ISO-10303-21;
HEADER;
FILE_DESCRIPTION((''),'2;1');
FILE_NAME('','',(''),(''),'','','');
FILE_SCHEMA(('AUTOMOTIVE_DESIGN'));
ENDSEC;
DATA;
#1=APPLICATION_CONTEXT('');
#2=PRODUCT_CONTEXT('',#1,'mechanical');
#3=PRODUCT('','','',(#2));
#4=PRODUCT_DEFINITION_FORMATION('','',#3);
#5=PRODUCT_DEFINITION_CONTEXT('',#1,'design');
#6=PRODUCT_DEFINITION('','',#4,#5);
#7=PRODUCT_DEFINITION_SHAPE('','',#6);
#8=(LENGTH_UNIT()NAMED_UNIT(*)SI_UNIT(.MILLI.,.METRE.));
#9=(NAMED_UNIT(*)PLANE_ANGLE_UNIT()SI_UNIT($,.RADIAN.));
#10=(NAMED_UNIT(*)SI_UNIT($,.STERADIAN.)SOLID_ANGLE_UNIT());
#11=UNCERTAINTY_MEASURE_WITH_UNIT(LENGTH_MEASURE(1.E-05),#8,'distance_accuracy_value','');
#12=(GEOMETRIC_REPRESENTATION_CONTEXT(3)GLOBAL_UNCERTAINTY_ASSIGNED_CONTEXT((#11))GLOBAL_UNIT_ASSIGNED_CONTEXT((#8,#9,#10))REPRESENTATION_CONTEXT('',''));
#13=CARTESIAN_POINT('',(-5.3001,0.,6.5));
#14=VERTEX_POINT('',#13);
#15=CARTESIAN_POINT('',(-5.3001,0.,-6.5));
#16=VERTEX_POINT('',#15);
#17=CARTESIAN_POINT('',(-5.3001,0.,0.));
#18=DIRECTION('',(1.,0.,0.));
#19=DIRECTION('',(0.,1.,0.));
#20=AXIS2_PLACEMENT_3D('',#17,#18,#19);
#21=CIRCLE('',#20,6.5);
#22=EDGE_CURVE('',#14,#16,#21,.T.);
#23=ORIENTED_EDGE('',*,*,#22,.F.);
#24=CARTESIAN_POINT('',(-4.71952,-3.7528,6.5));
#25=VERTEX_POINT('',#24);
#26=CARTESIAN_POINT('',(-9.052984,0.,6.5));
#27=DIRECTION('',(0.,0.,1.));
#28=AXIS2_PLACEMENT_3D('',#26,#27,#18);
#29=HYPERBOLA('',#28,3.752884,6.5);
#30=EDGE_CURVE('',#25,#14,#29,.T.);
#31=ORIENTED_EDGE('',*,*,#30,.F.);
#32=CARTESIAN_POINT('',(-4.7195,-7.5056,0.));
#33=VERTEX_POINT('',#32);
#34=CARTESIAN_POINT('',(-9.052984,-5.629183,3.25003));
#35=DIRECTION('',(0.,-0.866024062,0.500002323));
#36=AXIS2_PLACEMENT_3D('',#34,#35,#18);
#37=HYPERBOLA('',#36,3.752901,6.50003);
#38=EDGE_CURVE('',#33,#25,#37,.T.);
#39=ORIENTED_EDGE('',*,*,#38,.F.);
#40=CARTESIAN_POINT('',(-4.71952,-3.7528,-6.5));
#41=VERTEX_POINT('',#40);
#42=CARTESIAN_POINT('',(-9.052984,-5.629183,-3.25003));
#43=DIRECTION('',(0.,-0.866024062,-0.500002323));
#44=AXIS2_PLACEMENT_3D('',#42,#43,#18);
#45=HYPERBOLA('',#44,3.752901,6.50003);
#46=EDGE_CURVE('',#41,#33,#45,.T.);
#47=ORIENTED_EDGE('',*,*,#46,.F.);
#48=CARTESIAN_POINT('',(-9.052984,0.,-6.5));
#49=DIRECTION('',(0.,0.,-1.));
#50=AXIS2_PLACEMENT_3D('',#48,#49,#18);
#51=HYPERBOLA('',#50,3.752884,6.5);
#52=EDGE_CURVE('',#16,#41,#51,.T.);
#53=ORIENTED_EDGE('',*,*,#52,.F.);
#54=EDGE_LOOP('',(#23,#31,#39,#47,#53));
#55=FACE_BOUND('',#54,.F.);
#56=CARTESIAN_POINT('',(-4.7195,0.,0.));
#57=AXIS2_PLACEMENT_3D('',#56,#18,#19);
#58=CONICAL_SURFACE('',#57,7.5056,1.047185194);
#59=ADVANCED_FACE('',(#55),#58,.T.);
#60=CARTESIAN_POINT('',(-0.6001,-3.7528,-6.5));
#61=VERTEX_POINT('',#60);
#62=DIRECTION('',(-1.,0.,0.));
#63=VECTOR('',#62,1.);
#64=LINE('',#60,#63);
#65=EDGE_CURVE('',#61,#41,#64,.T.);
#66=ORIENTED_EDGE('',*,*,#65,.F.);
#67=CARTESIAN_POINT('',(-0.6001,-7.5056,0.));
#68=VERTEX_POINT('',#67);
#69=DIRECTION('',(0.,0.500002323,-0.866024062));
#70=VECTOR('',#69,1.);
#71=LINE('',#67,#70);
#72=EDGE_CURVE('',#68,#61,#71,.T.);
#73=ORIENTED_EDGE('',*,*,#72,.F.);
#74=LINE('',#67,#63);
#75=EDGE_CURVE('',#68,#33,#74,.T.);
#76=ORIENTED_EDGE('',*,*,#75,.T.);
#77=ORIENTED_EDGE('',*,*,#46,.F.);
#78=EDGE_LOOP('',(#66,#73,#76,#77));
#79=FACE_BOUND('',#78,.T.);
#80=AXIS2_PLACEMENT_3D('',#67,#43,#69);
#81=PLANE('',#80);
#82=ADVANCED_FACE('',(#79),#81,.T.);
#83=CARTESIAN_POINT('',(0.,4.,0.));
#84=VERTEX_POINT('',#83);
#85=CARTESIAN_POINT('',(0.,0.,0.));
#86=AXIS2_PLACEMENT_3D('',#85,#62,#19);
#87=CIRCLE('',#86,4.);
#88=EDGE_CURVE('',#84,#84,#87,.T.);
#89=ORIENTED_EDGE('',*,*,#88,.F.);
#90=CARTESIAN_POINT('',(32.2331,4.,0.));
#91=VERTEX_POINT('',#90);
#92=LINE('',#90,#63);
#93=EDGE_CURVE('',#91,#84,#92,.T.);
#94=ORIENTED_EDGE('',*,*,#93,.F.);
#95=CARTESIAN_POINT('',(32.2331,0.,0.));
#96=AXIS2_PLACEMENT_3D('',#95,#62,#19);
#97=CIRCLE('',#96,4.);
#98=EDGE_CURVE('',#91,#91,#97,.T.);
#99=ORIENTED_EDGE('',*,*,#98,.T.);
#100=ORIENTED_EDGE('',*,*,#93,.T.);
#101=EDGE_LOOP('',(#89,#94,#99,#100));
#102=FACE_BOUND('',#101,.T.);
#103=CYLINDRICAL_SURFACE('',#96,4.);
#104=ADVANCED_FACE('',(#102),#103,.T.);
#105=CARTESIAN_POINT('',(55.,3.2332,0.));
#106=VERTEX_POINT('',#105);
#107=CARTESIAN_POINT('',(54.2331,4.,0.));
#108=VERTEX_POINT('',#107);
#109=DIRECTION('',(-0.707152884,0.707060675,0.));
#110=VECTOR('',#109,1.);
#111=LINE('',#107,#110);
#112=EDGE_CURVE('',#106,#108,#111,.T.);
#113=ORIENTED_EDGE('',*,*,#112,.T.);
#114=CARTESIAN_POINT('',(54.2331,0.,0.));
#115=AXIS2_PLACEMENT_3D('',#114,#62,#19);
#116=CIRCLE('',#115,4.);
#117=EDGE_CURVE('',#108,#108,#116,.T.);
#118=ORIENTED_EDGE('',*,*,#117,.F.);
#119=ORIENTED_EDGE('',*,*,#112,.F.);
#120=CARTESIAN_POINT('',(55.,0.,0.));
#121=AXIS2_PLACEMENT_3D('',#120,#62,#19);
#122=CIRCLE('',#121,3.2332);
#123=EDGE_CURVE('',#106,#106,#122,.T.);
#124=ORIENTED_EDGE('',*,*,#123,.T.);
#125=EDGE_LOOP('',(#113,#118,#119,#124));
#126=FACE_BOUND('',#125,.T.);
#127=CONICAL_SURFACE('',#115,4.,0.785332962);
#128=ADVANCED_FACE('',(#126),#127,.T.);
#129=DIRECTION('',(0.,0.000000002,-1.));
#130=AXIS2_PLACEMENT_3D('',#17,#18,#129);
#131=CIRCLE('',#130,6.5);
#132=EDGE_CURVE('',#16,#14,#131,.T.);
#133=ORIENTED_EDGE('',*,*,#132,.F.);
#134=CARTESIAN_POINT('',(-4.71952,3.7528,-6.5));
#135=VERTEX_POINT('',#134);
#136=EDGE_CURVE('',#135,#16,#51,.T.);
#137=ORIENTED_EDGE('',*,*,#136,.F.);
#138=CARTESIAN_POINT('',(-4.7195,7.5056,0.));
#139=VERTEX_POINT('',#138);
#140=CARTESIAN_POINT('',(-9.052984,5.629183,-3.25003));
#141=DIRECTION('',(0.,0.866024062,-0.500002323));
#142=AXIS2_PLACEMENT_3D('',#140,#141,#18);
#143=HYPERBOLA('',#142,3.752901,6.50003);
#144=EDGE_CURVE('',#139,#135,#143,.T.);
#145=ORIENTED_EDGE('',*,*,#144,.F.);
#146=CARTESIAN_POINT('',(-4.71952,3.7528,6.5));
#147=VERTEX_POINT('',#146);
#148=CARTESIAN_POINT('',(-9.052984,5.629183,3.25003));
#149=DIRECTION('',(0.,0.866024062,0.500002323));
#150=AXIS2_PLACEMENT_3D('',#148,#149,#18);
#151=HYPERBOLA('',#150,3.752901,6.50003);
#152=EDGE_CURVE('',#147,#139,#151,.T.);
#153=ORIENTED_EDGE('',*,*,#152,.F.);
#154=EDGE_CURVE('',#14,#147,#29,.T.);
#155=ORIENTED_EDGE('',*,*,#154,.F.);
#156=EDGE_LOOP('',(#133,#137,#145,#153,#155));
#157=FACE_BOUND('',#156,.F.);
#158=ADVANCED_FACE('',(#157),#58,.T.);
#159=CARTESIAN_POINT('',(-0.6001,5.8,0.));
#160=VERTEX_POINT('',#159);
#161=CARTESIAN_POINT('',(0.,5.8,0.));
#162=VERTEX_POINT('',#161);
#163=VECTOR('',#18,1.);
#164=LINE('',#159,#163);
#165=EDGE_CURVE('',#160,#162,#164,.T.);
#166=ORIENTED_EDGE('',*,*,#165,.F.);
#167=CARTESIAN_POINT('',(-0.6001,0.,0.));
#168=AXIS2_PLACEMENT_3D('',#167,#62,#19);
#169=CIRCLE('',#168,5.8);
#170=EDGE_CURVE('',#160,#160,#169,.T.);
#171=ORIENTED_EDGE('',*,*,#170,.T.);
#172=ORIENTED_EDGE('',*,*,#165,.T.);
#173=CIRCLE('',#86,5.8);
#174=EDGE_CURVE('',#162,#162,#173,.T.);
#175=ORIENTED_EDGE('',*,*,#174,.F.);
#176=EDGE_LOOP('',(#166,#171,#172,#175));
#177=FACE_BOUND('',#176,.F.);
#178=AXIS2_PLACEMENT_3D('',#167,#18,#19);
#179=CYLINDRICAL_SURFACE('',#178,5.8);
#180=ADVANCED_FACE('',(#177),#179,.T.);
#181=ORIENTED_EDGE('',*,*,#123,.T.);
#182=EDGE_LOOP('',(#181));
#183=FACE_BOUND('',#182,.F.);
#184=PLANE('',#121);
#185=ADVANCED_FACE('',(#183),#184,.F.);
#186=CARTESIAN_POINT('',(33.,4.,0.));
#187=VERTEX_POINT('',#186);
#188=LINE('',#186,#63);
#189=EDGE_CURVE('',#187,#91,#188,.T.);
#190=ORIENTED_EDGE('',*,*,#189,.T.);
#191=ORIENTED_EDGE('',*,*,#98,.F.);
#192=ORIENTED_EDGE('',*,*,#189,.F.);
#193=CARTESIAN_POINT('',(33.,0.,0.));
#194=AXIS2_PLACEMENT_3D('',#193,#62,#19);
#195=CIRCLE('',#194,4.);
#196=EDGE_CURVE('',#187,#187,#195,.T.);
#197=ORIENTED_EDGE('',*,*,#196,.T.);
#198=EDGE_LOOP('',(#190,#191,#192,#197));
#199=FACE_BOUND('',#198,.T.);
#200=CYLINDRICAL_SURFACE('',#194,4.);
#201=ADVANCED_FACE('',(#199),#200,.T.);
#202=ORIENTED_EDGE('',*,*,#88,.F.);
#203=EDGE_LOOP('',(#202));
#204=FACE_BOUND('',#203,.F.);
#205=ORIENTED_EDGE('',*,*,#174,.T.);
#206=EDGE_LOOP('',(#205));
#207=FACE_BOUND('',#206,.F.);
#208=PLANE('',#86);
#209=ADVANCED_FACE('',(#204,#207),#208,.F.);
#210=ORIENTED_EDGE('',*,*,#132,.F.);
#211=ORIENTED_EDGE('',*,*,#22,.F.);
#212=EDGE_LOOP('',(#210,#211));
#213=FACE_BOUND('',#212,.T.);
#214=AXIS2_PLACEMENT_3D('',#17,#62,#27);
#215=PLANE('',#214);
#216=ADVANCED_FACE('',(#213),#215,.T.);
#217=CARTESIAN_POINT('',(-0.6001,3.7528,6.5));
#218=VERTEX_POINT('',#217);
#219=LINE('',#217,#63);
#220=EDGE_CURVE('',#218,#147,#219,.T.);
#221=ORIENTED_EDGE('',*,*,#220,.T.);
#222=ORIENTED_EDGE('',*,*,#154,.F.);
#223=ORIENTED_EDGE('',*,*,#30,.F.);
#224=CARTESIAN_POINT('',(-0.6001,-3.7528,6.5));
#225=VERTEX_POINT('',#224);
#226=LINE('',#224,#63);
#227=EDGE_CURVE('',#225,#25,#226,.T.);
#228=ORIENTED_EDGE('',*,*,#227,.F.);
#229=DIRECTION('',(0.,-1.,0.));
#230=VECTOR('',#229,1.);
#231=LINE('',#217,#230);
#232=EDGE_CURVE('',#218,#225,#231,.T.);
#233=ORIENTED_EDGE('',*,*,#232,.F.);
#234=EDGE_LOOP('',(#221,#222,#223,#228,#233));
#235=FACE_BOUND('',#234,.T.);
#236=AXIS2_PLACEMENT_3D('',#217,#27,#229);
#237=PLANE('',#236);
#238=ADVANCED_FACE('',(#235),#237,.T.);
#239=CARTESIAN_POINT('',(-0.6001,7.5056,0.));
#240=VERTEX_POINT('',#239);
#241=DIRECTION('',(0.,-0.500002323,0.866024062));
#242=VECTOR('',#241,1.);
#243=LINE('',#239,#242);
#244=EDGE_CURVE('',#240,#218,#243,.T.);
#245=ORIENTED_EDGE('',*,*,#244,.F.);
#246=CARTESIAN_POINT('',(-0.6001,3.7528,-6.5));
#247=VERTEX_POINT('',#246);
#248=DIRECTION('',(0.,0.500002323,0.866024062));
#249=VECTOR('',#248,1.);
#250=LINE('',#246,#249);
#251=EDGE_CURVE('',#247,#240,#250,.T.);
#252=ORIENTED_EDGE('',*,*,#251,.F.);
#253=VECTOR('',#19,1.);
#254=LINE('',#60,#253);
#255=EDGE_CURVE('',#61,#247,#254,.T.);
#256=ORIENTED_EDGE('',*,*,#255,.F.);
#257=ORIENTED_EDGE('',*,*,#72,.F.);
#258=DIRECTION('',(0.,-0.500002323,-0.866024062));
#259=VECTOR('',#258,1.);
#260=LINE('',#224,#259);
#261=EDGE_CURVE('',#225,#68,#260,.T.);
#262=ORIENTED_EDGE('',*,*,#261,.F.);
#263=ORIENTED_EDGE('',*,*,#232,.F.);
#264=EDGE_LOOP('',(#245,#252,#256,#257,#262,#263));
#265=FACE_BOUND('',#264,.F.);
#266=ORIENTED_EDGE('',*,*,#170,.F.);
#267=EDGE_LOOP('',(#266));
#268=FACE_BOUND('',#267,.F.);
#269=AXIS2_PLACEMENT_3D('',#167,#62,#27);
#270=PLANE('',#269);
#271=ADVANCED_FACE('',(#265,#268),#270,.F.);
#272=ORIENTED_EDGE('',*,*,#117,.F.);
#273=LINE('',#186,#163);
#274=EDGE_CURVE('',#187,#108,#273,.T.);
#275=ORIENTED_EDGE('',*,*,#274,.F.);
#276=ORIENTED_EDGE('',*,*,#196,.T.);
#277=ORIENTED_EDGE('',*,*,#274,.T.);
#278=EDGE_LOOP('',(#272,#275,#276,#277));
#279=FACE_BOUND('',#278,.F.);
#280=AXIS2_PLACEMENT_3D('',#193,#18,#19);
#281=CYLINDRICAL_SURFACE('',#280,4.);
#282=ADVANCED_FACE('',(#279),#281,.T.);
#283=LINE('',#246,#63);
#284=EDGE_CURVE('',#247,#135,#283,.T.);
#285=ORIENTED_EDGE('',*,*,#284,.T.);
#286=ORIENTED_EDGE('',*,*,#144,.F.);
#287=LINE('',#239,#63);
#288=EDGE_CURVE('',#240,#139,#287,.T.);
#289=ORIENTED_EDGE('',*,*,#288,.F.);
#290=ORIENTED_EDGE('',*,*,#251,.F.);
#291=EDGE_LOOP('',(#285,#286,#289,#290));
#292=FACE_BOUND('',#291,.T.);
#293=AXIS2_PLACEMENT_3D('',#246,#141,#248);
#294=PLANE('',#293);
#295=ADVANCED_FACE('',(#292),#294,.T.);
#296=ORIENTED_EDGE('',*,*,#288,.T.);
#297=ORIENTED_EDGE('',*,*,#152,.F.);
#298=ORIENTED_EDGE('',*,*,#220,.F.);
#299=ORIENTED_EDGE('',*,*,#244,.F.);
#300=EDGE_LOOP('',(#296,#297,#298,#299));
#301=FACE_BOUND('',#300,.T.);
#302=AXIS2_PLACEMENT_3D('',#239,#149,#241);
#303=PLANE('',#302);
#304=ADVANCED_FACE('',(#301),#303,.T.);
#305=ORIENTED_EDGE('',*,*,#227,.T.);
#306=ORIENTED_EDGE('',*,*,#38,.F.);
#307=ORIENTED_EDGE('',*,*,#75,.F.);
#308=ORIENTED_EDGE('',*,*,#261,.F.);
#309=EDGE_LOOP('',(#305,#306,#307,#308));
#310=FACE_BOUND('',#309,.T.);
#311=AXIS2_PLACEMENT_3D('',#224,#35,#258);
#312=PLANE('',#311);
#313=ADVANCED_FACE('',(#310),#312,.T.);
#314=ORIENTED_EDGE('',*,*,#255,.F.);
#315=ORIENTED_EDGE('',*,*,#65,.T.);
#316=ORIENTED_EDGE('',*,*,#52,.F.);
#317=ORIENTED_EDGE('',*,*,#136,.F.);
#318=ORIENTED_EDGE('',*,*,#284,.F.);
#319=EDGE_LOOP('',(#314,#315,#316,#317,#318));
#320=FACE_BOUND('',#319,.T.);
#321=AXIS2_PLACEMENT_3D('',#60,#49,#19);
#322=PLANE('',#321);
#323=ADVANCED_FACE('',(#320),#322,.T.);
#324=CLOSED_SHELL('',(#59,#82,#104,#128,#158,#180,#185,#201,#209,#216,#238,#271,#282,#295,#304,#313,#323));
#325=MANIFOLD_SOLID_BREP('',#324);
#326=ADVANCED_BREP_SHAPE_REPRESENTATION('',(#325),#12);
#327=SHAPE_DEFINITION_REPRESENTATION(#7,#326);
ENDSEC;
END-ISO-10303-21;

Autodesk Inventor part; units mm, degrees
ref_plane "YZ Plane" through (0, 0, 0) normal (1, 0, 0) x (0, 1, 0)
ref_plane "XZ Plane" through (0, 0, 0) normal (0, 1, 0) x (-1, 0, 0)
sketch "Skizze1" plane through (0, 0, 0) normal (0, 0, 1) x (1, 0, 0)
  line L0 (0, 5.8) -> (0, 4)
  line L1 (33, 4) -> (55, 4)
  line L2 (55, 4) -> (55, 0)
  line L3 (55, 0) -> (-0.6001, 0)
  line L4 (-11.7201, 0) -> (66.12, 0) projected
  line L5 (-0.6001, 0) -> (-0.6001, 5.8)
  line L6 (-0.6001, 5.8) -> (0, 5.8)
  line L7 (33, 4) -> (32.2331, 4)
  line L8 (32.2331, 4) -> (0, 4)
  line L9 (0, -1.16) -> (0, 6.96) projected
  dimension "d0" = 55
  dimension "d1" = 22
  dimension "d2" = 8
  dimension "d9" = 0.6001
  dimension "d10" = 11.6
  dimension "d13" = 0.7669
  dimension "d14" = 8
revolve "Körper" add sketch "Skizze1" angle 360 about axis through (55, 0, 0) along (-1, 0, 0)
sketch "Skizze2" plane through (-0.6001, 0, 0) normal (-1, 0, 0) x (0, 0, 1)
  line L0 (0, 7.5056) -> (6.5, 3.7528)
  line L1 (6.5, 3.7528) -> (6.5, -3.7528)
  line L2 (6.5, -3.7528) -> (0, -7.5056)
  line L3 (0, -7.5056) -> (-6.5, -3.7528)
  line L4 (-6.5, -3.7528) -> (-6.5, 3.7528)
  line L5 (-6.5, 3.7528) -> (0, 7.5056)
  point P0 (0, 0)
  point P1 (0, 0)
  dimension "d11" = 13
extrude "Kopf" add sketch "Skizze2" along normal blind 4.7
sketch "Skizze4" plane through (0, 0, 0) normal (0, 0, 1) x (1, 0, 0)
  line L0 (-5.3001, 6.5) -> (-5.3001, 7.5056)
  line L1 (-5.3001, 7.5056) -> (-4.7195, 7.5056)
  line L2 (-4.7195, 7.5056) -> (-5.3001, 6.5)
  line L3 (-6.2401, 0) -> (0.3399, 0) projected
  line L4 (-0.6001, 7.5056) -> (-5.3001, 7.5056) projected
  line L5 (-5.3001, 3.7528) -> (-5.3001, 7.5056) projected
  dimension "d5" = 30
  dimension "d19" = 13
revolve "Fase1" cut sketch "Skizze4" angle 360 about axis through (-10, 0, 0) along (1, 0, 0)
thread "Gewinde" size "M8x1.25" class "6g" standard "ISO Metric profile" length 22
chamfer "Fase2" distance 0.7668 distance2 0.7669 1 edges at (55, -4, 0) measured on face at (55, -1.1806, 1.575)
ref_plane "Work Plane1" through (1.525, 0, 0) normal (0, 0, 1) x (1, 0, 0)
equation "\"d0\" = NLG"
equation "\"d1\" = GEL"
equation "\"d2\" = GD"
equation "\"d10\" = SD2"
equation "\"d14\" = BDM"
equation "\"d11\" = SW"
equation "\"d3\" = KOH - SD"
equation "\"d5\" = ANG1"
equation "\"d19\" = SW0"
equation "\"d15\" = GEL"
equation "\"d6\" = -0.5 * SPD + 0.5 * GD"
equation "\"NLG\" = 55"
equation "\"GD\" = NND"
equation "\"BDM\" = NND"
equation "\"KOH\" = 5.3"
equation "\"GEL\" = 22"
equation "\"SW\" = 13"
equation "\"SW0\" = SW"
equation "\"SPD\" = NND - 1.2269 * PTC"
equation "\"SD2\" = 11.6"
equation "\"SD\" = 0.6"
equation "\"ANG1\" = 30deg"
equation "\"GAL\" = 0.61345 * PTC"
equation "\"GUL\" = 0.61345 * PTC"
equation "\"RR\" = 0.4"
equation "\"GD1\" = THREADDIA - 1.2269 * PTC"
equation "\"THREADDIA\" = 8"
equation "\"TOA\" = 30deg"
equation "\"PTC\" = 1.25"
equation "\"NND\" = 8"
equation "\"E0\" = 1.155 * SW"
properties part number "DIN 931-1 - M8 x 55" material "Stahl, weich"
